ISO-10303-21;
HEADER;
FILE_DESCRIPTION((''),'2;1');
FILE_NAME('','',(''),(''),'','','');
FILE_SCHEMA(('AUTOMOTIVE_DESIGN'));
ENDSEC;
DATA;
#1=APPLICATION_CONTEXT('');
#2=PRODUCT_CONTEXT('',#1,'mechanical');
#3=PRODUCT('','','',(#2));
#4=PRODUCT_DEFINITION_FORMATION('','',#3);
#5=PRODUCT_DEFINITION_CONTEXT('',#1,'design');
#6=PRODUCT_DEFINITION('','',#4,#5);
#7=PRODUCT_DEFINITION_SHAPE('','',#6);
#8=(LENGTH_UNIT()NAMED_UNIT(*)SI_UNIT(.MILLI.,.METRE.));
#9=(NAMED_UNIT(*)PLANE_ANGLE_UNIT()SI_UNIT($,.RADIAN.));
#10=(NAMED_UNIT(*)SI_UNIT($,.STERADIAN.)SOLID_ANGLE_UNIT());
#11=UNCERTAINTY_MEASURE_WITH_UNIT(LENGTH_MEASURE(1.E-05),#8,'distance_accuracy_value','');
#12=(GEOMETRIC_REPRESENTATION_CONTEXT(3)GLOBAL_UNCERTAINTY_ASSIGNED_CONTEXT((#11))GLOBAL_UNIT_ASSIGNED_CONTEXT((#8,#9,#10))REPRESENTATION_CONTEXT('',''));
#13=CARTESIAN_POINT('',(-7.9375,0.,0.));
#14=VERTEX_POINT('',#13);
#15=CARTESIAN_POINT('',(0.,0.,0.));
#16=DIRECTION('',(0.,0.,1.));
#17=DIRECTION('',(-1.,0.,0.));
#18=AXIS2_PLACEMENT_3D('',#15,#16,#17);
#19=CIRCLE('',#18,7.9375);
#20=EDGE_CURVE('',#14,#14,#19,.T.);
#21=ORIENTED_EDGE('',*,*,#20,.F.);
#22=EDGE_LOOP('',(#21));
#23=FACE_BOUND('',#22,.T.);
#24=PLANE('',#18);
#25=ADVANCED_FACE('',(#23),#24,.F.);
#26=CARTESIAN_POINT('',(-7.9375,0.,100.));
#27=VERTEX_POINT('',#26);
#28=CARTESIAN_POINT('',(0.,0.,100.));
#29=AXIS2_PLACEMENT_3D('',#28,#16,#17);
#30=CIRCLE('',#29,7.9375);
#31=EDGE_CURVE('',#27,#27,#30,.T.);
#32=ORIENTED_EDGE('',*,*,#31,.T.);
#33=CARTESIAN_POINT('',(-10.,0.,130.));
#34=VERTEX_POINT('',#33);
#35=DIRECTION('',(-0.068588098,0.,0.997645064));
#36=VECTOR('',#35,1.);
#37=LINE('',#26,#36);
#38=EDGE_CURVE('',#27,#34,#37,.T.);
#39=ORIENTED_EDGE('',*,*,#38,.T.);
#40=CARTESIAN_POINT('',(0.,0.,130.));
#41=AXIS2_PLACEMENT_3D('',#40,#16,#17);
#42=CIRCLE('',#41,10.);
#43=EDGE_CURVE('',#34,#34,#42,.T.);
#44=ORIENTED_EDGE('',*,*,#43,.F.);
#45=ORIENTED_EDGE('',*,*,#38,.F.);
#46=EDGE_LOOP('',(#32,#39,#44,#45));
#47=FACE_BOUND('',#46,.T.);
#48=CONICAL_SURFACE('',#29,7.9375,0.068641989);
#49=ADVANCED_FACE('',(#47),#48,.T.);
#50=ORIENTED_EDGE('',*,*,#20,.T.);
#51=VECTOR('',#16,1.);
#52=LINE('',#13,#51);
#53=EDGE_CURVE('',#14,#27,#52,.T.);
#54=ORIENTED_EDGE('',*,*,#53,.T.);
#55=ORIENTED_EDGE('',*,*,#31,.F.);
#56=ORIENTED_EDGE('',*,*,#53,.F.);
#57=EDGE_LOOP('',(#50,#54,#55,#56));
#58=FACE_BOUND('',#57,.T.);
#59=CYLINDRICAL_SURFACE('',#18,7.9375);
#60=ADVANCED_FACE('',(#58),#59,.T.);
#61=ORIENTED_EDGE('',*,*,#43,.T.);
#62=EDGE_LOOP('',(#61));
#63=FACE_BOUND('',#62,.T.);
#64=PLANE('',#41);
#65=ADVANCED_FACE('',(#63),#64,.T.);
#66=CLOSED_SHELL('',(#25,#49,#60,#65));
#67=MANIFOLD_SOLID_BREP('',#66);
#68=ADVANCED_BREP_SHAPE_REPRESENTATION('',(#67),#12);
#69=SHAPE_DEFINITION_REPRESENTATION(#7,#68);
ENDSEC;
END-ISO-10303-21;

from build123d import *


with BuildPart() as part:
    # Sketch → Revolution (revolve)
    with BuildSketch(Plane.XZ):
        Polygon((0, 0), (-7.9375, 0), (-7.9375, 100), (-10, 130), (0, 130), align=None)
    revolve(axis=Axis((0, 0, 0), (0, 0, 1)))


solid = part.part
